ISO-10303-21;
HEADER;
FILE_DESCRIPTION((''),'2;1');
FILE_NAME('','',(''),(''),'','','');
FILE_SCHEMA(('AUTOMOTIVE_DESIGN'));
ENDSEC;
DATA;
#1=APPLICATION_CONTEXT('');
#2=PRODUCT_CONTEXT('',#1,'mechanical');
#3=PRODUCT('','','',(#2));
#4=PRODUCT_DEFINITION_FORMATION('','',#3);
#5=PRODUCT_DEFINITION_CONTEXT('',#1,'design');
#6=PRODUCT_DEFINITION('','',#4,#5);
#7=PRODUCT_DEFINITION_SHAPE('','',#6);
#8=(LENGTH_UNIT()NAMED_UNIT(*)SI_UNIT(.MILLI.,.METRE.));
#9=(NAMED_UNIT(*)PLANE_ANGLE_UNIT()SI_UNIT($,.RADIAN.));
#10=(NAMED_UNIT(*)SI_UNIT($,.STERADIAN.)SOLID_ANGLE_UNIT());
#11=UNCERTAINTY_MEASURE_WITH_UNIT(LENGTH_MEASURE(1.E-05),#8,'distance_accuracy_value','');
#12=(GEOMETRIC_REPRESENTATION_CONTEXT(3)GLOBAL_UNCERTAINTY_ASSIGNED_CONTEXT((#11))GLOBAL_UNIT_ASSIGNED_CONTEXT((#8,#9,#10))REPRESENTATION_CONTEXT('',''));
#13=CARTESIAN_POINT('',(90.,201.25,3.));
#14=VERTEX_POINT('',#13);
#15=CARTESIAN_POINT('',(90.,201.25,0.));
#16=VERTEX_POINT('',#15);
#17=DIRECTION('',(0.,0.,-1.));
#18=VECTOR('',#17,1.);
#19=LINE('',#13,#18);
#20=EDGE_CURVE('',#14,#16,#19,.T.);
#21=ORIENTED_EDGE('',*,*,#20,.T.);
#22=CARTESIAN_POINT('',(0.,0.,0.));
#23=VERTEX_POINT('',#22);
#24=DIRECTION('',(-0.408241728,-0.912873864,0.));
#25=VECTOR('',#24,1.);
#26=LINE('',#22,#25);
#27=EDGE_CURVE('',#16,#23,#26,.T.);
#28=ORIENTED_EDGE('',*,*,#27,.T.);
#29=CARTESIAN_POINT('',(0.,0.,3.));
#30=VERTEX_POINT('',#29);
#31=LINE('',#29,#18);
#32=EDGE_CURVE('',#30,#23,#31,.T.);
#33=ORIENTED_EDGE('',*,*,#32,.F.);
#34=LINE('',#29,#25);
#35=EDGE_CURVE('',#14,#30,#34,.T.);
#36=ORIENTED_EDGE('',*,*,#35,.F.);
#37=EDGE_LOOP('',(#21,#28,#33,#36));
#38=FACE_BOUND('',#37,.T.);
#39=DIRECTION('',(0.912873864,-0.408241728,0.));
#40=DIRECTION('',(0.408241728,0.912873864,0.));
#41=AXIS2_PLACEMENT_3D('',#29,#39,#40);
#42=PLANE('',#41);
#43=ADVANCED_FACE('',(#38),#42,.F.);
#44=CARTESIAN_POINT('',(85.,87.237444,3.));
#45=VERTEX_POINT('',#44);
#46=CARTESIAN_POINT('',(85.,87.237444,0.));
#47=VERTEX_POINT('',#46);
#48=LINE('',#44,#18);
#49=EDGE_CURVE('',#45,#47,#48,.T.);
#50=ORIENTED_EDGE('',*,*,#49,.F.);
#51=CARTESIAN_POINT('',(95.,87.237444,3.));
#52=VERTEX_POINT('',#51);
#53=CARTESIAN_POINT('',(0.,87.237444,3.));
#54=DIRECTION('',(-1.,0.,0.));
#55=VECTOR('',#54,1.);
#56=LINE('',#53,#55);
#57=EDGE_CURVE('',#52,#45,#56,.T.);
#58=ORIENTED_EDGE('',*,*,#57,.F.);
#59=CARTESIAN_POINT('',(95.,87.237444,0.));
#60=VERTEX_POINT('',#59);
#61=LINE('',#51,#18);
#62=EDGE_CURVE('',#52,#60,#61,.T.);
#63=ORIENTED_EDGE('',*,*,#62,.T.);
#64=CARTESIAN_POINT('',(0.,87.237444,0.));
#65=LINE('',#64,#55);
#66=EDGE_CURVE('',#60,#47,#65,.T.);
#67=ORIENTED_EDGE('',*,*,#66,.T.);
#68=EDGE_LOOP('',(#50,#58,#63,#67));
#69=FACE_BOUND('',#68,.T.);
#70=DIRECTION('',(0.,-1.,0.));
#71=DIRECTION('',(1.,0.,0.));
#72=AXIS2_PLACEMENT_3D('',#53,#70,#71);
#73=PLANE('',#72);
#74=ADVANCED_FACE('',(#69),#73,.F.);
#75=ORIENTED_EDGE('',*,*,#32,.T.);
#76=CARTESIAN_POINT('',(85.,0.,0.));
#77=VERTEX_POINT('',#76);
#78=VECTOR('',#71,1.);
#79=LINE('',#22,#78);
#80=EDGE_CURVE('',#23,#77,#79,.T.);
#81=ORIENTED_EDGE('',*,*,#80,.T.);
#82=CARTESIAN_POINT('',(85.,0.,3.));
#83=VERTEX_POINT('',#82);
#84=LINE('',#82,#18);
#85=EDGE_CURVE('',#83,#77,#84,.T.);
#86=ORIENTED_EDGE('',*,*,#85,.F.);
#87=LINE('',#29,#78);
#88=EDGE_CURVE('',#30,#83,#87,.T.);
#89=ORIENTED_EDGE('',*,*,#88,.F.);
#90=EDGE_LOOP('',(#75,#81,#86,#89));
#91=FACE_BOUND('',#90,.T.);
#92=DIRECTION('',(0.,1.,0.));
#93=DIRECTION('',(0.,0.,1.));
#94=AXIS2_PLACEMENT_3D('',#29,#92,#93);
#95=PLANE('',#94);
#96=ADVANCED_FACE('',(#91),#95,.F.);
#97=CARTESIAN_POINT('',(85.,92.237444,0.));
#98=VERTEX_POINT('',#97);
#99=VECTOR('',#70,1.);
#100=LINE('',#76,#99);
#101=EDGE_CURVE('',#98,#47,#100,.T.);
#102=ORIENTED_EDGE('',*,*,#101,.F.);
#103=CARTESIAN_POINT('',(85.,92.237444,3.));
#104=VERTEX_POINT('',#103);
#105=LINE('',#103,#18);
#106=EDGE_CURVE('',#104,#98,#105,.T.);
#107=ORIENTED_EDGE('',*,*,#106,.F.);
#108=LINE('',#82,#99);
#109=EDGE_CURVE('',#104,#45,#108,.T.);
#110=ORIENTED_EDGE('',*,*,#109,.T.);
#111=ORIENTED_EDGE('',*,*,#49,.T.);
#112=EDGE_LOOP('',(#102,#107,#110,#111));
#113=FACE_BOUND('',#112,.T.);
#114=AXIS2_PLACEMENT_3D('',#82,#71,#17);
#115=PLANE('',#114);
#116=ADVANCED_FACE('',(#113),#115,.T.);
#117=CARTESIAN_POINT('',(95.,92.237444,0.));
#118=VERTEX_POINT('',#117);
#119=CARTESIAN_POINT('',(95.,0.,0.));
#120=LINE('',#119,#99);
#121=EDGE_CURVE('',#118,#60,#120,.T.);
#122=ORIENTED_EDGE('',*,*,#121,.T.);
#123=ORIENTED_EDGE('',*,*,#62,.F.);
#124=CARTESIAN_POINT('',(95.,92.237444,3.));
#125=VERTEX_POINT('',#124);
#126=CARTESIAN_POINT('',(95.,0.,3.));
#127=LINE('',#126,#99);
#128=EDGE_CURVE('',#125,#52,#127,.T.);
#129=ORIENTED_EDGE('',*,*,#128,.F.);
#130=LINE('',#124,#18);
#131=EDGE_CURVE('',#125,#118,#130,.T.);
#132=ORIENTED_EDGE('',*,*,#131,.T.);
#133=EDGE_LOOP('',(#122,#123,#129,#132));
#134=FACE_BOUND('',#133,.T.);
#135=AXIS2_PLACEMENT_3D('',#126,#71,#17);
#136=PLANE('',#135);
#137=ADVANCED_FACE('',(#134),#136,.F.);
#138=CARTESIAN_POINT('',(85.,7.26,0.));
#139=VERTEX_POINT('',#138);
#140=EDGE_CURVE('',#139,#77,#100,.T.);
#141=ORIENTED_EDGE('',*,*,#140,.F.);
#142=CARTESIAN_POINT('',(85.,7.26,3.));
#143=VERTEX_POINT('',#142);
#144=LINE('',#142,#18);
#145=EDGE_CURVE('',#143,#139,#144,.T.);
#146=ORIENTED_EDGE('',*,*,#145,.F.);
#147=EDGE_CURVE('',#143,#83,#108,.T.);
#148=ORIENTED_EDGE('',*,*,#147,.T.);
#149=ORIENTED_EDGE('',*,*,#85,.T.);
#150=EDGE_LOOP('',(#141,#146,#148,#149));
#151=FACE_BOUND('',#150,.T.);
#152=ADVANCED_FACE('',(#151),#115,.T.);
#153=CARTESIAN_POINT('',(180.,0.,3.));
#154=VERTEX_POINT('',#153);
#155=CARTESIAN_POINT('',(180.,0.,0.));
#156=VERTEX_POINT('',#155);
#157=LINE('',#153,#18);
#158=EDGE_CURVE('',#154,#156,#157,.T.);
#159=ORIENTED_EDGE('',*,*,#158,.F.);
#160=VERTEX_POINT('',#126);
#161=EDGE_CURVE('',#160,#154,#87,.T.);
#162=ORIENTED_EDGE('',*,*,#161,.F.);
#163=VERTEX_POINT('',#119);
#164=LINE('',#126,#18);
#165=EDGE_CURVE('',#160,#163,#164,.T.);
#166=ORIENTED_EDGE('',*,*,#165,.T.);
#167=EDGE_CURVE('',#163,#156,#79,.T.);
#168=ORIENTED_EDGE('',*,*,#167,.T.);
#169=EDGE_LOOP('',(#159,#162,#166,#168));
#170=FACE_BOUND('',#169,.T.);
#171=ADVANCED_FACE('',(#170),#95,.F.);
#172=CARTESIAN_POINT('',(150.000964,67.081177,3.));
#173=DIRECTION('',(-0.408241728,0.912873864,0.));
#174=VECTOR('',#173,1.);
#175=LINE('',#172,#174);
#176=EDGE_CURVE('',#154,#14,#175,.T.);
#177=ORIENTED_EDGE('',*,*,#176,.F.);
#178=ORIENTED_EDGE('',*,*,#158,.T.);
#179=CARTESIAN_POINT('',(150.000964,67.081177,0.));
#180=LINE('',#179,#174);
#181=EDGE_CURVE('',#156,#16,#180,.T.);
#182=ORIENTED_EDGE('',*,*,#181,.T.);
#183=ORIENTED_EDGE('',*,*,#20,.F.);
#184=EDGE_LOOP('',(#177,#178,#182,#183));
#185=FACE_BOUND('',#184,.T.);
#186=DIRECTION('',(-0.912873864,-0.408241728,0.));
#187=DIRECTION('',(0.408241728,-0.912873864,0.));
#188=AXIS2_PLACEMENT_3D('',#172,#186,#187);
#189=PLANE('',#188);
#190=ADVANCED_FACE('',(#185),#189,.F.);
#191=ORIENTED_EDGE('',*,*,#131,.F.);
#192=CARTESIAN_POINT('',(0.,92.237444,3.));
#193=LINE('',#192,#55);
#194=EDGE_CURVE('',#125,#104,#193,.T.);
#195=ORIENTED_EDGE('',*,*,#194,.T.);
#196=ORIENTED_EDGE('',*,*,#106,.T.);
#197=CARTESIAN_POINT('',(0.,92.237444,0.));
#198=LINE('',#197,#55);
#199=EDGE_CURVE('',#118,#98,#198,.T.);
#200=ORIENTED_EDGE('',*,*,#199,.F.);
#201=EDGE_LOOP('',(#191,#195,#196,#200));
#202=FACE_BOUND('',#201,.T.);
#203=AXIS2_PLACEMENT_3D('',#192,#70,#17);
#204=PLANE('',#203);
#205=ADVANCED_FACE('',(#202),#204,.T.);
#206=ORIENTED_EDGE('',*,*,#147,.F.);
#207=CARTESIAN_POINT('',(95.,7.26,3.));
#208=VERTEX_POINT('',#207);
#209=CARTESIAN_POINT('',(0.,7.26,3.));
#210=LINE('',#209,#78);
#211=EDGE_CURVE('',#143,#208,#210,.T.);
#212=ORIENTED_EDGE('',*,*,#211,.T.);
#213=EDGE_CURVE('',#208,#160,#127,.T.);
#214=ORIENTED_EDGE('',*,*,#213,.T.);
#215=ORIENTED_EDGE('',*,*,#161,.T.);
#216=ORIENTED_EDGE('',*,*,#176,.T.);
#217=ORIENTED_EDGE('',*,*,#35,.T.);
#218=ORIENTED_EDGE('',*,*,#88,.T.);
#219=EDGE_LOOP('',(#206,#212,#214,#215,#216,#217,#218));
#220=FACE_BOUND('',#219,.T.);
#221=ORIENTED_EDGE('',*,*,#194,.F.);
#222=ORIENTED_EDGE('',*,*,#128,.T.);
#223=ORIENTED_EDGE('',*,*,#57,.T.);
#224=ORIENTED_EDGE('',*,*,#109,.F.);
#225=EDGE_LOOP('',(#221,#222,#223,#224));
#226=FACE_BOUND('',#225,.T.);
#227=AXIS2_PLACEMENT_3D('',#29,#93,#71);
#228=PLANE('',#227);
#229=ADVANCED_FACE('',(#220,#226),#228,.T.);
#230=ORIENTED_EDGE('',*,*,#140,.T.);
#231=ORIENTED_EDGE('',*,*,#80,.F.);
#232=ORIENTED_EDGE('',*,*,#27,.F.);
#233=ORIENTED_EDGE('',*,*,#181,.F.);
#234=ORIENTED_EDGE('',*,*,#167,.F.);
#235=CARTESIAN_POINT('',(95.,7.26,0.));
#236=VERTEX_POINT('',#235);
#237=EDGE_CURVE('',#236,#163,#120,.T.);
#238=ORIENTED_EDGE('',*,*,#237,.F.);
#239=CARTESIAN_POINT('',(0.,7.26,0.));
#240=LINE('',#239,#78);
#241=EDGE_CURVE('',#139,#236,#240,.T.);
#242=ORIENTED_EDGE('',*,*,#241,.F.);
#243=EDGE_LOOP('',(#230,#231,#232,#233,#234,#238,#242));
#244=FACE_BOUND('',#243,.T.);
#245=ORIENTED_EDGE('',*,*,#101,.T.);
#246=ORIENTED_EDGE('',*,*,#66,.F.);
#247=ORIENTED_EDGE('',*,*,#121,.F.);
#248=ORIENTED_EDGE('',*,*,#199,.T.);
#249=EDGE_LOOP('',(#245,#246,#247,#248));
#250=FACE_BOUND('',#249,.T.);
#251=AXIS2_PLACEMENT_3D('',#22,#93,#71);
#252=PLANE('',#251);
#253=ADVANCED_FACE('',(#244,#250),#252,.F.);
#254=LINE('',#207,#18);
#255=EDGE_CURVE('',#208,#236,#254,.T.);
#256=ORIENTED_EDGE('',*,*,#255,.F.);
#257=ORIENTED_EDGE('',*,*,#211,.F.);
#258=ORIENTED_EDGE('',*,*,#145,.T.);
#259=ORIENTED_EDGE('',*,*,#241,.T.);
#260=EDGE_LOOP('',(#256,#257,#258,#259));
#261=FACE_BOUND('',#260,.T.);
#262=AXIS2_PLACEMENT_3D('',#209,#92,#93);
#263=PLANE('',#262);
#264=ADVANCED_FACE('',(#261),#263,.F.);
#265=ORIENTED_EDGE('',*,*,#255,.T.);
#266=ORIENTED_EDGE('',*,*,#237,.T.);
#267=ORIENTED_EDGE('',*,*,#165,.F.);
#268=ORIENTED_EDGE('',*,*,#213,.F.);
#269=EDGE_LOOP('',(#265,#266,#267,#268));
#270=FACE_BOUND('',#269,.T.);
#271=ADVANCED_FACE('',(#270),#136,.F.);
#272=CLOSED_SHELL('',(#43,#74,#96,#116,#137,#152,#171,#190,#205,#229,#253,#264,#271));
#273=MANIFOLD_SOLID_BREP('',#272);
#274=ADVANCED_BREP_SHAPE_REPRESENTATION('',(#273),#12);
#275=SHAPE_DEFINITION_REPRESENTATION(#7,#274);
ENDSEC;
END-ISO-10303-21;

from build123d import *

# Parameters (mm, degrees)
SKETCH1_W           = 10
SKETCH1_H           = 5
BOSS_EXTRUDE1_DEPTH = 3


with BuildPart() as part:
    # Sketch1 → Boss-Extrude1 (new body)
    with BuildSketch(Plane.XY):
        Polygon((90, 201.25), (0, 0), (85, 0), (85, 7.26), (95, 7.26), (95, 0), (180, 0), align=None)
        with Locations((90, 89.737444444)):
            Rectangle(SKETCH1_W, SKETCH1_H, mode=Mode.SUBTRACT)
    extrude(amount=BOSS_EXTRUDE1_DEPTH)


solid = part.part
